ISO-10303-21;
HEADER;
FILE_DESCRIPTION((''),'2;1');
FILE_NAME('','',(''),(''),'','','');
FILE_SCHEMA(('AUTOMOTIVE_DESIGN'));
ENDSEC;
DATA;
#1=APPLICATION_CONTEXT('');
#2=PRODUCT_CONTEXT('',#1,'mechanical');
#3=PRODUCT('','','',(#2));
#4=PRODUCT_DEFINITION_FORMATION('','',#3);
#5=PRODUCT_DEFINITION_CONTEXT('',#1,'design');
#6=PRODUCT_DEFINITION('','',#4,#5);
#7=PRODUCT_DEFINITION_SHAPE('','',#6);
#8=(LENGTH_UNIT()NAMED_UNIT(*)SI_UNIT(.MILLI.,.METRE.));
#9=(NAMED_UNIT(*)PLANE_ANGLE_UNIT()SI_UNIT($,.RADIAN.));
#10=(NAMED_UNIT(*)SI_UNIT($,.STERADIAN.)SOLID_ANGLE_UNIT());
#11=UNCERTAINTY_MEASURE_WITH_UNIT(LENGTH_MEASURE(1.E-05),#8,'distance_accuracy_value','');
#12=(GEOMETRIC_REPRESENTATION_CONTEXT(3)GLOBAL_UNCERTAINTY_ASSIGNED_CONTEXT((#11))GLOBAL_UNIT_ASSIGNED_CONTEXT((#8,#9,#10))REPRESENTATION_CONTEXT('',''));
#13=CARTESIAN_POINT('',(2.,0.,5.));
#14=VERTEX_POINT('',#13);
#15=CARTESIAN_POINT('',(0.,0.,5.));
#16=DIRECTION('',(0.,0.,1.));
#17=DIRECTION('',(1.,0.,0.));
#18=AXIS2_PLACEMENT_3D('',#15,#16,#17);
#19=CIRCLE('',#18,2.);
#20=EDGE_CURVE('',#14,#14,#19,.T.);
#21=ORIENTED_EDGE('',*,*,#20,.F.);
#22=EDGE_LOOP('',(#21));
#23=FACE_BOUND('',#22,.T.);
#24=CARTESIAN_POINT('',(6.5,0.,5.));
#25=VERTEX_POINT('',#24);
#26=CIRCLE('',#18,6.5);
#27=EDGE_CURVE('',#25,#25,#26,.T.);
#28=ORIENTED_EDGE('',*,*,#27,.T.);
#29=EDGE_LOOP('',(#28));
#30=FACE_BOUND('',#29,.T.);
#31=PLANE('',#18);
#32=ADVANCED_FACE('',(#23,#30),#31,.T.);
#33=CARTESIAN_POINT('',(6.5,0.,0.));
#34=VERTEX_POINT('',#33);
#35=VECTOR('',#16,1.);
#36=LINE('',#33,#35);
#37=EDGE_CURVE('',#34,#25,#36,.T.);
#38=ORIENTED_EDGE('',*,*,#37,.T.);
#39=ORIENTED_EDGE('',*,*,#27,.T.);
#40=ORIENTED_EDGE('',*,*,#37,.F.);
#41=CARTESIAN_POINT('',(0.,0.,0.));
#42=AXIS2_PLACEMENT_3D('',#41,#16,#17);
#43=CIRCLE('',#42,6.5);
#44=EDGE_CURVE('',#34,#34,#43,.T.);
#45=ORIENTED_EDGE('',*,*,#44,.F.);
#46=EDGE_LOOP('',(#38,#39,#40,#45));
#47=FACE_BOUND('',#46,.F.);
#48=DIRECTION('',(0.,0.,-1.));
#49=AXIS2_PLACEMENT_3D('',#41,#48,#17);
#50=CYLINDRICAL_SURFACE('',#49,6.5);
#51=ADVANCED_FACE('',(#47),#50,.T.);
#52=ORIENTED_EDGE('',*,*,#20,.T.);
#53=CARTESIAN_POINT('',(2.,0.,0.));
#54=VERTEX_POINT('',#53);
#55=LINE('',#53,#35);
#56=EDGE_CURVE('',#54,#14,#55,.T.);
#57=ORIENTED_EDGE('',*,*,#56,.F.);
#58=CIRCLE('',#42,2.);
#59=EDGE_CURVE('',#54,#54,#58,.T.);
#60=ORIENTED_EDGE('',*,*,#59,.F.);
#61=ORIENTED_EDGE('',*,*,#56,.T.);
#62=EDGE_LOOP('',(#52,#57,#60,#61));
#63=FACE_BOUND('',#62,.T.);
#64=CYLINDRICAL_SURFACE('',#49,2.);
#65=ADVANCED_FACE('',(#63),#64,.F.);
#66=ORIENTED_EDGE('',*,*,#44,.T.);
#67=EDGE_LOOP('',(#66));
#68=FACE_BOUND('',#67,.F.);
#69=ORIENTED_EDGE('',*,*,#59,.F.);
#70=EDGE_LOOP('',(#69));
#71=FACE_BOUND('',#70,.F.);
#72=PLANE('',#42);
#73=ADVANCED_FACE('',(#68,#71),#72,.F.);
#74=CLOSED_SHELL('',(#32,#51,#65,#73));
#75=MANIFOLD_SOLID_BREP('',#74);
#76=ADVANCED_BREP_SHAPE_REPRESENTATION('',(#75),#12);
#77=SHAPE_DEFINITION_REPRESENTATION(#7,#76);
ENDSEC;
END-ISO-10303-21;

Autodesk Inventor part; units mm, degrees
ref_plane "YZ Plane" through (0, 0, 0) normal (1, 0, 0) x (0, 1, 0)
ref_plane "XZ Plane" through (0, 0, 0) normal (0, 1, 0) x (-1, 0, 0)
ref_plane "XY Plane" through (0, 0, 0) normal (0, 0, 1) x (1, 0, 0)
sketch "Sketch1" plane through (0, 0, 0) normal (0, 0, 1) x (1, 0, 0)
  circle A0 centre (0, 0) radius 2
  circle A1 centre (0, 0) radius 6.5
  dimension "d0" = 4
  dimension "d1" = 13
extrude "Extrusion1" add sketch "Sketch1" along normal blind 5
properties part number "Bearing 4mmx 13mmx 5mm" material "Stainless Steel"
